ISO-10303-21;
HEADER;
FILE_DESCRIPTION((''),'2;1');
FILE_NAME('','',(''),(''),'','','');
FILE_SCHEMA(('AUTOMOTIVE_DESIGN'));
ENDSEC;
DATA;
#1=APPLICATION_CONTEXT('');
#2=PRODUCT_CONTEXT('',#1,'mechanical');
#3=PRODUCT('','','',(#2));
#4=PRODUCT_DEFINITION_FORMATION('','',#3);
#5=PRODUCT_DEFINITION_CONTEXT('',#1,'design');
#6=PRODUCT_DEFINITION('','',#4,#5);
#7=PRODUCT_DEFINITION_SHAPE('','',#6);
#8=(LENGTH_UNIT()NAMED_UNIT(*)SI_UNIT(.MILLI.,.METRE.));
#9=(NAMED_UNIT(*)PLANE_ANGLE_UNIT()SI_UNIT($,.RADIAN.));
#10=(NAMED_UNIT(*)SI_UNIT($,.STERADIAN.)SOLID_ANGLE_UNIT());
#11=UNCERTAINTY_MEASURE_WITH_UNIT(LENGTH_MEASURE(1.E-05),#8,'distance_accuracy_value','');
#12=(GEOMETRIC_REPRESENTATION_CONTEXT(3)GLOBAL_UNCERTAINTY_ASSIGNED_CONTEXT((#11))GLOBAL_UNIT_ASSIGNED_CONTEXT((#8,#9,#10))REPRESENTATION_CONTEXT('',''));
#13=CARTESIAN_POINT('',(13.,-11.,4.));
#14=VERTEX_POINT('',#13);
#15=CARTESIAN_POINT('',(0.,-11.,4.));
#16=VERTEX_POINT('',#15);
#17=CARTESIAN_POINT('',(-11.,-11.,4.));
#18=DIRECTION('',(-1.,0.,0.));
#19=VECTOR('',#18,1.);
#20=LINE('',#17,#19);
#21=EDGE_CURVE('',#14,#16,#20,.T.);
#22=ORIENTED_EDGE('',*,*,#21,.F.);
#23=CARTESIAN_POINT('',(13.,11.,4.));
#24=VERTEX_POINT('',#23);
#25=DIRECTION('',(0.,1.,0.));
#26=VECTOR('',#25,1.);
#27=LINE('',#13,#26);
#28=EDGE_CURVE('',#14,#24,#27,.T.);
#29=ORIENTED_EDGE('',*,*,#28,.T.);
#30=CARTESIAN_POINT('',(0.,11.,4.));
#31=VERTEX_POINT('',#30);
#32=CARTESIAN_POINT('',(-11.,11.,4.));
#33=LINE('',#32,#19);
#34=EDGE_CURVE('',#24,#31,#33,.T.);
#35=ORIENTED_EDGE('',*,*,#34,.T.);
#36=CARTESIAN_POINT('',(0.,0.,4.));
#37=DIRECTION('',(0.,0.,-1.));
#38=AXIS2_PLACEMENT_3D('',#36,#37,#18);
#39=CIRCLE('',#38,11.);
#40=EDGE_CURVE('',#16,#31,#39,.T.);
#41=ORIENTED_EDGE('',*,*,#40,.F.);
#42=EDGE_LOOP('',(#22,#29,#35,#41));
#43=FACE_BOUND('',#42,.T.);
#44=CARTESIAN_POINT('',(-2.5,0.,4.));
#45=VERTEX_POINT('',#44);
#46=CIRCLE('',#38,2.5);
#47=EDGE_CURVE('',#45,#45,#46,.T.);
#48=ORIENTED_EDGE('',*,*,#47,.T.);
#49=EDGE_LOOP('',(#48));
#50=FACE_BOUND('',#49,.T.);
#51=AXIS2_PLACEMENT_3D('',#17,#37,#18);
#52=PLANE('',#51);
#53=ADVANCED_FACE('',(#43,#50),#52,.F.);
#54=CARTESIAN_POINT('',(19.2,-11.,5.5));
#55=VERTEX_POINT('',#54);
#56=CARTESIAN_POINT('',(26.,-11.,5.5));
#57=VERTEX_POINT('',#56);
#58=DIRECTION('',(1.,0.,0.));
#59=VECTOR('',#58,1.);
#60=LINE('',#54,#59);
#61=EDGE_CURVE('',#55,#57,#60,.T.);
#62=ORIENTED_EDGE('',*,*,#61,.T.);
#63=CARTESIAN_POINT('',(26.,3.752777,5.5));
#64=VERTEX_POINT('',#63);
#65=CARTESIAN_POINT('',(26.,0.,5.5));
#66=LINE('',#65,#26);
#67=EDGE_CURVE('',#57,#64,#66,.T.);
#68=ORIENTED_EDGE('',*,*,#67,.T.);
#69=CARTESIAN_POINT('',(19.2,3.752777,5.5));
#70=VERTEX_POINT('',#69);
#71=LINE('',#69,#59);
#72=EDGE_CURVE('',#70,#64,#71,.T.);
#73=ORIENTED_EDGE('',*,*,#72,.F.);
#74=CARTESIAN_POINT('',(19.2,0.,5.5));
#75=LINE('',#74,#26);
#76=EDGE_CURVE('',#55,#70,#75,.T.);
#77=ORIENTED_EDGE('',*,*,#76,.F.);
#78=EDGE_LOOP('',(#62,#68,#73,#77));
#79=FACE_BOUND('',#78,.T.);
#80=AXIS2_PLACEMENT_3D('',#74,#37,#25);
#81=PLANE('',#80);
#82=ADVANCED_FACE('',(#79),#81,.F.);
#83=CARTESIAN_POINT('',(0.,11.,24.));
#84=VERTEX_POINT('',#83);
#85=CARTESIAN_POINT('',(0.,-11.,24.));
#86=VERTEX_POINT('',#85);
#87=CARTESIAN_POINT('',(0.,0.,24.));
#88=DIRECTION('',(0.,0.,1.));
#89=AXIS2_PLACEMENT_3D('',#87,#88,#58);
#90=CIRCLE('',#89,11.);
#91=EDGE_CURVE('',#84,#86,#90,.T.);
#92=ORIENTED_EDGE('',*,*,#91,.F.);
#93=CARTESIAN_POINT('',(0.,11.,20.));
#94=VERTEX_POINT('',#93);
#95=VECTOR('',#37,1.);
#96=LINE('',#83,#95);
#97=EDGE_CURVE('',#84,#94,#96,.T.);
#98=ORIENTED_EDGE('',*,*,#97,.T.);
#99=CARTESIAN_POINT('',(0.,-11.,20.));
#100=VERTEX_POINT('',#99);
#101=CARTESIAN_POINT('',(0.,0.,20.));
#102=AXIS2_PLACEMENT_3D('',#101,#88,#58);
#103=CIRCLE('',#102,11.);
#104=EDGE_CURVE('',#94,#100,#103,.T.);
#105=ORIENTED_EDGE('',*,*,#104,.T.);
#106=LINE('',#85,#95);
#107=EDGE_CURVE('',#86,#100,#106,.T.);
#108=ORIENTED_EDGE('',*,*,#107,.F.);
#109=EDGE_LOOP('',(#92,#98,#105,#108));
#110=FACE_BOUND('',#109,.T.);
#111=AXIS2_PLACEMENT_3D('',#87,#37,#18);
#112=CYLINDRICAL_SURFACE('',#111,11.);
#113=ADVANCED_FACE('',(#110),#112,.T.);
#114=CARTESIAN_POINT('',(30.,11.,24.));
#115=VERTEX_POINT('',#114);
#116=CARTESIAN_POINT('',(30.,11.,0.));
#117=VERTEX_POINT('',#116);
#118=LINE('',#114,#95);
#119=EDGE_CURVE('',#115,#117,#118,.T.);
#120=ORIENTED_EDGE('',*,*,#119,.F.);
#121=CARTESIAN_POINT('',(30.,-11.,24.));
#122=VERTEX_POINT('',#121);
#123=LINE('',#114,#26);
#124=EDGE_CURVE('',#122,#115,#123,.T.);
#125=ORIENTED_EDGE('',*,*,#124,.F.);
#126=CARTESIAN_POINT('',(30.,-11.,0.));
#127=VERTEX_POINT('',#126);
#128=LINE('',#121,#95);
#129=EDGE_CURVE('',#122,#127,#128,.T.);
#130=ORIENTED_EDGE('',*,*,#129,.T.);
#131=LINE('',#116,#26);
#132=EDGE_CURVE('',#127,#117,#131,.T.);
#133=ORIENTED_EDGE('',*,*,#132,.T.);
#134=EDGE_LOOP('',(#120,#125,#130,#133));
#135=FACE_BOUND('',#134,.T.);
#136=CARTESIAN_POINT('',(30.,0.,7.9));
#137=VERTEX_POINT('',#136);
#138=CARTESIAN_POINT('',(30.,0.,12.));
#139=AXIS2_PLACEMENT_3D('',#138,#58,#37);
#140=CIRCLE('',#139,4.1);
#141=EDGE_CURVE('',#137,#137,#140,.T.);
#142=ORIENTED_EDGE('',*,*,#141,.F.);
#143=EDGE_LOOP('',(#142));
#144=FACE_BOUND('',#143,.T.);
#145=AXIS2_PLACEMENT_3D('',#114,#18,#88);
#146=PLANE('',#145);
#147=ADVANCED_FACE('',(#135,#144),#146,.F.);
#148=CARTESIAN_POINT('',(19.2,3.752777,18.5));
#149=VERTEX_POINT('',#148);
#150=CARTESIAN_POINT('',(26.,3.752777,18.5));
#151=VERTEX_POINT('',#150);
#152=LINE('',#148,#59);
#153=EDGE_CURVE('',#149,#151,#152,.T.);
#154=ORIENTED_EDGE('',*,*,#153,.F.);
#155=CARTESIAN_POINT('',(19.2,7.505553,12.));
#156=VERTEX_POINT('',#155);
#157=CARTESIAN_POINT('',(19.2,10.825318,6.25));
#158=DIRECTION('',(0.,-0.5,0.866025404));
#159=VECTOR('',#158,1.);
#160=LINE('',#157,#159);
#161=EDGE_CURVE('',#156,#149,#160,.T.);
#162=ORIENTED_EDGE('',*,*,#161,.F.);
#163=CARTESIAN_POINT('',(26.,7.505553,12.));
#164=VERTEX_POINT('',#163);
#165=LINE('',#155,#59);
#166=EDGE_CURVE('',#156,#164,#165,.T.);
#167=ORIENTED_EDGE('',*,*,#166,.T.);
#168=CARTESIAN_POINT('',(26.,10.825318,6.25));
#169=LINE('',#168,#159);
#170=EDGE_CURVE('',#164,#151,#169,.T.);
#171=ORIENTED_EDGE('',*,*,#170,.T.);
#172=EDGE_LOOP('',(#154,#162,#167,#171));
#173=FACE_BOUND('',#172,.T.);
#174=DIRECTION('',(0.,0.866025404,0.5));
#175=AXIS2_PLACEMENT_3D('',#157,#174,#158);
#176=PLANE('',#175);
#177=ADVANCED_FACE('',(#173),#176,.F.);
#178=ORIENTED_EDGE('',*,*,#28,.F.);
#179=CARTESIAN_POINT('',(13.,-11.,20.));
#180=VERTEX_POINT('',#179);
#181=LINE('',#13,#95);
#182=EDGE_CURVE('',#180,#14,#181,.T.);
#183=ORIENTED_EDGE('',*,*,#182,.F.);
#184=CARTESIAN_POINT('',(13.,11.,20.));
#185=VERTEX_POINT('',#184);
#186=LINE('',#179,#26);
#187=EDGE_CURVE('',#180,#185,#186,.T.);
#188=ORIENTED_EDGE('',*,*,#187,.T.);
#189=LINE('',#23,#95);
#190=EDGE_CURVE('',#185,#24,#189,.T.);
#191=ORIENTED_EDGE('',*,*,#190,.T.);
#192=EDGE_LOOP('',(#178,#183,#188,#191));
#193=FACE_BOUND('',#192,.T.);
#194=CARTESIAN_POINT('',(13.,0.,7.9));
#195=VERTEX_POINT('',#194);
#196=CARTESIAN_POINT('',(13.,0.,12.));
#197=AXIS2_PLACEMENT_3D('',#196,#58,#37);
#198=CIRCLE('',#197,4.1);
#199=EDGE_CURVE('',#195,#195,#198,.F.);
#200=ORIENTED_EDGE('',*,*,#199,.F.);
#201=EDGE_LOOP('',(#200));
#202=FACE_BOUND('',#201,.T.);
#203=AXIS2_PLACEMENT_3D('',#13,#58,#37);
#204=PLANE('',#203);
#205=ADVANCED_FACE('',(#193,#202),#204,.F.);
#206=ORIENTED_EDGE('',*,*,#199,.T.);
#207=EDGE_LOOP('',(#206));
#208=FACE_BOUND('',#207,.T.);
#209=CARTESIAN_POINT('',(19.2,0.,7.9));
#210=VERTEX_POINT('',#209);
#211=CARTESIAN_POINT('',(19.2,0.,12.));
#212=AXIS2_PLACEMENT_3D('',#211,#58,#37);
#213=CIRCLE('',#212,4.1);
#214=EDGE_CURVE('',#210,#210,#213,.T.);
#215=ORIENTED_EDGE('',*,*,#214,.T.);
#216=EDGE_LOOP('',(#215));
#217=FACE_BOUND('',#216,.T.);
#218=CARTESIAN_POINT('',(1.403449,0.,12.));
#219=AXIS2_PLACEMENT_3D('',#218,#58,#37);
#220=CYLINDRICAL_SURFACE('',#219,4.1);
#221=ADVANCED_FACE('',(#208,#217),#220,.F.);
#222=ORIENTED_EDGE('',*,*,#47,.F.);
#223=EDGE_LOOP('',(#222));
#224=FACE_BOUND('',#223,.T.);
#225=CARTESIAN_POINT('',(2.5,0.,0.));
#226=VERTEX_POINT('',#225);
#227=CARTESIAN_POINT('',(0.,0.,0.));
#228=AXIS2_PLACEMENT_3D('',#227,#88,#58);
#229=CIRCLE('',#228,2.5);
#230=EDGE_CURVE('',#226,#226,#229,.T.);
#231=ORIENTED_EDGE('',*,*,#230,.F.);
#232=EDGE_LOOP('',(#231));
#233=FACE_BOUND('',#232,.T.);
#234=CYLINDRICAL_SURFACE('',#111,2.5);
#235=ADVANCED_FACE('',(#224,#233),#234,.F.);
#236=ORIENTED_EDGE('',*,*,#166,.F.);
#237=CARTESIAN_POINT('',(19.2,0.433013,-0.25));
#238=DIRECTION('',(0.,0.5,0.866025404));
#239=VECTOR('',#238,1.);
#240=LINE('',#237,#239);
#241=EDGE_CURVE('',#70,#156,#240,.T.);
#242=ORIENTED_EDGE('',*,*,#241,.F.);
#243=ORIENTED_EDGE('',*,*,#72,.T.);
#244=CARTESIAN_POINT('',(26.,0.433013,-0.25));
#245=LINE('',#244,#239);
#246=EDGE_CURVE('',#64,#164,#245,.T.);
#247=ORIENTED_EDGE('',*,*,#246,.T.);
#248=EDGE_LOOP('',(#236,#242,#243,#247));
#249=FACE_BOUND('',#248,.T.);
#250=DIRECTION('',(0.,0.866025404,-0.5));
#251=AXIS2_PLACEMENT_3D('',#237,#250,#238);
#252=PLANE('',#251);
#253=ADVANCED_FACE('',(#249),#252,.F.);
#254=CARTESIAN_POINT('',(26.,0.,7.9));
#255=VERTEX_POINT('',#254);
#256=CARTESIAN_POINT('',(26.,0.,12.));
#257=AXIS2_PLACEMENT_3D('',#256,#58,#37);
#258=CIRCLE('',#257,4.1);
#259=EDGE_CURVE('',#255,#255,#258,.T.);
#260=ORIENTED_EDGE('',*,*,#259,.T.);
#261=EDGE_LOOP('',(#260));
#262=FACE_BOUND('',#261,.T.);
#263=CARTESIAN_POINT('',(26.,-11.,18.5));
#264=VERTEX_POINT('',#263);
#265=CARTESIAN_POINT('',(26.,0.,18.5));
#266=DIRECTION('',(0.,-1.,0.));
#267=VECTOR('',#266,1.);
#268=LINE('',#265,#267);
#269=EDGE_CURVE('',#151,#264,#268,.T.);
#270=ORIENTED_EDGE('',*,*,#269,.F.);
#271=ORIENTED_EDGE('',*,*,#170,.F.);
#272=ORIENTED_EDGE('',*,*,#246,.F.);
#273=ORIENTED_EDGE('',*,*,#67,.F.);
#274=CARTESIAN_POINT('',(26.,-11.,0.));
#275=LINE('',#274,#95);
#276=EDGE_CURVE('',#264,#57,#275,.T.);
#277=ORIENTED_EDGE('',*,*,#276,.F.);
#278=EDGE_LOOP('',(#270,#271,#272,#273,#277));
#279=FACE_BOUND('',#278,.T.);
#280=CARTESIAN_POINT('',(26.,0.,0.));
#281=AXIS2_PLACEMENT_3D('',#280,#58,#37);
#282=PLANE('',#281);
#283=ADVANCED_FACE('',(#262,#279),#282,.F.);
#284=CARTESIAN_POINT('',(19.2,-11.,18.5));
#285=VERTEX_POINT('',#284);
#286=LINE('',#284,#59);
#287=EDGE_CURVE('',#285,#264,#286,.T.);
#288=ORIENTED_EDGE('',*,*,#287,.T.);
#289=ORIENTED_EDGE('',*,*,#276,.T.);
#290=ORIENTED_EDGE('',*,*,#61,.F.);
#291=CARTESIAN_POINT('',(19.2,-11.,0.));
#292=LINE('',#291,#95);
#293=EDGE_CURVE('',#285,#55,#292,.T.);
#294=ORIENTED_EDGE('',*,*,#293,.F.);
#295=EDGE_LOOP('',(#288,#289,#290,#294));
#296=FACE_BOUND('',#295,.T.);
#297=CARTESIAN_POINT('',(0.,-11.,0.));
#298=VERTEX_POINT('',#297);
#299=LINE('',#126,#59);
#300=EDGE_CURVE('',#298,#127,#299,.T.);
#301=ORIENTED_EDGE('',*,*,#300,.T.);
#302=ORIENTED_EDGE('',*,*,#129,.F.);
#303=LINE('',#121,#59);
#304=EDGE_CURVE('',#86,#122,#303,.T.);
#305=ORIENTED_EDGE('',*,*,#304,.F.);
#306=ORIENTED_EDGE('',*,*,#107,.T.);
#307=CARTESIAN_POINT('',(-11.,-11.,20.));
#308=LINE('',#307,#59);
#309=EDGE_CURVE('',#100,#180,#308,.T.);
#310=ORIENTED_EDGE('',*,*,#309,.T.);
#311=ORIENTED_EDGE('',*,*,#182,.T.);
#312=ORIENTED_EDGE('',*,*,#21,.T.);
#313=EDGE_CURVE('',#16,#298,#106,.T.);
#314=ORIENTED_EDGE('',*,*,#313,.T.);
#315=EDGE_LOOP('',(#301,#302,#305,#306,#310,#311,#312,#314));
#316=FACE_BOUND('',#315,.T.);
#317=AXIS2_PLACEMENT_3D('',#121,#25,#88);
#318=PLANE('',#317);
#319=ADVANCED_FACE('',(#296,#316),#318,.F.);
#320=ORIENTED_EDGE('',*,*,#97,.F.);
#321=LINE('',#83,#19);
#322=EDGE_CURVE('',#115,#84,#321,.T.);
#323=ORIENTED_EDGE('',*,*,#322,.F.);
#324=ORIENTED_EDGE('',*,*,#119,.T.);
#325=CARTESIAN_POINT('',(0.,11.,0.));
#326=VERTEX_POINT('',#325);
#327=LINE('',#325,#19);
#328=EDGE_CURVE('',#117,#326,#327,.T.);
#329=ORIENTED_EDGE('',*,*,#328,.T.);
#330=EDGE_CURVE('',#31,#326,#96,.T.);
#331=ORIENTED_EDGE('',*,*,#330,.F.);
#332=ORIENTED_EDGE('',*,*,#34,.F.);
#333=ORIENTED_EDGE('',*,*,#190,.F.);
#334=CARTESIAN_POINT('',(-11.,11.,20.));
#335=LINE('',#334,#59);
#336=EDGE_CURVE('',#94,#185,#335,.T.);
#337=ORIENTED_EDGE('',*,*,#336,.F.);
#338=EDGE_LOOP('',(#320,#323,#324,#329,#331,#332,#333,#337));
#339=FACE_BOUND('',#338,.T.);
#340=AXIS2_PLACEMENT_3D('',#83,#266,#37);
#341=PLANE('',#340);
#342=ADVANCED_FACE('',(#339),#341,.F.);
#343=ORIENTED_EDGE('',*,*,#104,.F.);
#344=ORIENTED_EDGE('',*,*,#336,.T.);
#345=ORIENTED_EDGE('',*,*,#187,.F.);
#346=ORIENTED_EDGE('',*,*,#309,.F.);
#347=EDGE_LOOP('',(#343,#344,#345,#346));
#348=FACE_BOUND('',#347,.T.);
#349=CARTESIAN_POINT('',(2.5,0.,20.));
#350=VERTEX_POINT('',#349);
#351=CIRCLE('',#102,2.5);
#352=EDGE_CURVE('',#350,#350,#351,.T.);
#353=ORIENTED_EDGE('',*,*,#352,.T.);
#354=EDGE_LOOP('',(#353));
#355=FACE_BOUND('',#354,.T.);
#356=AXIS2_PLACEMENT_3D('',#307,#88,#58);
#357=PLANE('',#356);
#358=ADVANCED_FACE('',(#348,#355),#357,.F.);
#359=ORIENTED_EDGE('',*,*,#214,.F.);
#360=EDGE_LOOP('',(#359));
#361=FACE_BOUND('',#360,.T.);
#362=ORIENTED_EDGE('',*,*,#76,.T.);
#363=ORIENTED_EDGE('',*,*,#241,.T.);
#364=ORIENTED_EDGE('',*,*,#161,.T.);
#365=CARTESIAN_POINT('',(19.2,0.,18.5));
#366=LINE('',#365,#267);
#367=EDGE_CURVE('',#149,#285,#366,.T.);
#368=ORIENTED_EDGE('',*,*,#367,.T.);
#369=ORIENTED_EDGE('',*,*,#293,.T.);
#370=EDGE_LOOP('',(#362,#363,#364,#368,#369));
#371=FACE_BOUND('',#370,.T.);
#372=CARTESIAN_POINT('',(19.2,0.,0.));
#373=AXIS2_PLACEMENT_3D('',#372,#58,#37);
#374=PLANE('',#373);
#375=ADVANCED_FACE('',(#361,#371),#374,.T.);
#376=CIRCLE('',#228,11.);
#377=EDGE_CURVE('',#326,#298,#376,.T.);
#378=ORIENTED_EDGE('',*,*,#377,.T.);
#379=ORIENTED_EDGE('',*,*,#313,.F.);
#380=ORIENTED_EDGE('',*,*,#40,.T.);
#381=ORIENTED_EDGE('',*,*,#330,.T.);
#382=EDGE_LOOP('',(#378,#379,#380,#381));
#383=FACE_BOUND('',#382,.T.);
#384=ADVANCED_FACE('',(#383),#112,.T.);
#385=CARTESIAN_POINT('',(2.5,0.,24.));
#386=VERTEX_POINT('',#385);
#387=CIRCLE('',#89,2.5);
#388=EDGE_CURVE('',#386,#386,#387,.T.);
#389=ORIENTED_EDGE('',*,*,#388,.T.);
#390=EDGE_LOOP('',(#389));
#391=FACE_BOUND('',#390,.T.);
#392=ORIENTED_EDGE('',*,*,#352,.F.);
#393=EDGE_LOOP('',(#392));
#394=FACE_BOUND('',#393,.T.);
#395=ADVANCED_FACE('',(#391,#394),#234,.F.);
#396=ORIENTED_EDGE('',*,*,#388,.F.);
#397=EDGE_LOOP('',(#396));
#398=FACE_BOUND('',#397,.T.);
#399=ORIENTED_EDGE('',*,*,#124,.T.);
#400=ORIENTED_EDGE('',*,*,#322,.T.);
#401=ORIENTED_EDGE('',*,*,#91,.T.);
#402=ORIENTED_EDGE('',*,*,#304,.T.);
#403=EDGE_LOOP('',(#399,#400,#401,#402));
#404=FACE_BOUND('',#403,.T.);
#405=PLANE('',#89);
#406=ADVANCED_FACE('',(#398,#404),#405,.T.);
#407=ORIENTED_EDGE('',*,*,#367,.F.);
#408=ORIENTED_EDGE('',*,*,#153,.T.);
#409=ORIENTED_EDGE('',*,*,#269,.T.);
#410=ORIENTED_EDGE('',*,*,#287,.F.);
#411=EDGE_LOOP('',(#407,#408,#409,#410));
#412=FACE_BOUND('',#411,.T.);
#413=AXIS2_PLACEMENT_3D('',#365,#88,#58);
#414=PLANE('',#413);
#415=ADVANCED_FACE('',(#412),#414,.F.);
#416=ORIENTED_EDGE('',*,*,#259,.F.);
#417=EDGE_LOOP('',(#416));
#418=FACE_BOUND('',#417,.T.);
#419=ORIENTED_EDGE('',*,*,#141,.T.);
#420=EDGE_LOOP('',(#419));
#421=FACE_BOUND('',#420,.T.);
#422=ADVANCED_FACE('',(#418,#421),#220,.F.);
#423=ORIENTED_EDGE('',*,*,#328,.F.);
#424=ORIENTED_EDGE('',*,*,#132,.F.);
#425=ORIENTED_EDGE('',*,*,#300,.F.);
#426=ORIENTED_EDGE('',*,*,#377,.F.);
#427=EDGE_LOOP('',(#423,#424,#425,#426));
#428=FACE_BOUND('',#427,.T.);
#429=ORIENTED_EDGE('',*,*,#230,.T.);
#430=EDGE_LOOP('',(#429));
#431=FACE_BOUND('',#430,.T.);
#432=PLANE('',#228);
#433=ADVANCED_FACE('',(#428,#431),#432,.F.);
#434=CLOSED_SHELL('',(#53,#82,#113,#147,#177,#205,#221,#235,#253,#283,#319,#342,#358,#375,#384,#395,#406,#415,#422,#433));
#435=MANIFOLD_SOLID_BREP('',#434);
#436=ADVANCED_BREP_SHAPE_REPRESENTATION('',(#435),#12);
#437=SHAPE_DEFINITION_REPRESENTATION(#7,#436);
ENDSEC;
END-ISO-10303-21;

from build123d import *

# Parameters (mm, degrees)
SKETCH1_R           = 2.5
BOSS_EXTRUDE1_DEPTH = 24
SKETCH2_W           = 24
SKETCH2_H           = 16
CUT_EXTRUDE1_DEPTH  = 23
CUT_EXTRUDE2_DEPTH  = 6.8
SKETCH6_R           = 4.1
CUT_EXTRUDE3_DEPTH  = 17


with BuildPart() as part:
    # Sketch1 → Boss-Extrude1 (new body)
    with BuildSketch(Plane.XY):
        with BuildLine():
            Line((0, 11), (30, 11))
            Line((30, 11), (30, -11))
            Line((30, -11), (0, -11))
            ThreePointArc((0, -11), (-11, 0), (0, 11))
        make_face()
        Circle(SKETCH1_R, mode=Mode.SUBTRACT)
    extrude(amount=BOSS_EXTRUDE1_DEPTH)

    # Sketch2 → Cut-Extrude1 (cut, through all)
    with BuildSketch(Plane(origin=(0, 11, 0), x_dir=(1, 0, 0), z_dir=(0, 1, 0))):
        with Locations((1, -12)):
            Rectangle(SKETCH2_W, SKETCH2_H)
    extrude(amount=-CUT_EXTRUDE1_DEPTH, mode=Mode.SUBTRACT)

    # Sketch4 → Cut-Extrude2 (cut)
    with BuildSketch(Plane(origin=(26, 0, 0), x_dir=(0, 0, -1), z_dir=(1, 0, 0))):
        Polygon((-18.5, 3.75277675), (-18.5, -11), (-5.5, -11), (-5.5, 3.75277675), (-12, 7.505553499), align=None)
    extrude(amount=-CUT_EXTRUDE2_DEPTH, mode=Mode.SUBTRACT)

    # Sketch6 → Cut-Extrude3 (cut)
    with BuildSketch(Plane(origin=(30, 0, 0), x_dir=(0, 0, -1), z_dir=(1, 0, 0))):
        with Locations((-12, 0)):
            Circle(SKETCH6_R)
    extrude(amount=-CUT_EXTRUDE3_DEPTH, mode=Mode.SUBTRACT)


solid = part.part
